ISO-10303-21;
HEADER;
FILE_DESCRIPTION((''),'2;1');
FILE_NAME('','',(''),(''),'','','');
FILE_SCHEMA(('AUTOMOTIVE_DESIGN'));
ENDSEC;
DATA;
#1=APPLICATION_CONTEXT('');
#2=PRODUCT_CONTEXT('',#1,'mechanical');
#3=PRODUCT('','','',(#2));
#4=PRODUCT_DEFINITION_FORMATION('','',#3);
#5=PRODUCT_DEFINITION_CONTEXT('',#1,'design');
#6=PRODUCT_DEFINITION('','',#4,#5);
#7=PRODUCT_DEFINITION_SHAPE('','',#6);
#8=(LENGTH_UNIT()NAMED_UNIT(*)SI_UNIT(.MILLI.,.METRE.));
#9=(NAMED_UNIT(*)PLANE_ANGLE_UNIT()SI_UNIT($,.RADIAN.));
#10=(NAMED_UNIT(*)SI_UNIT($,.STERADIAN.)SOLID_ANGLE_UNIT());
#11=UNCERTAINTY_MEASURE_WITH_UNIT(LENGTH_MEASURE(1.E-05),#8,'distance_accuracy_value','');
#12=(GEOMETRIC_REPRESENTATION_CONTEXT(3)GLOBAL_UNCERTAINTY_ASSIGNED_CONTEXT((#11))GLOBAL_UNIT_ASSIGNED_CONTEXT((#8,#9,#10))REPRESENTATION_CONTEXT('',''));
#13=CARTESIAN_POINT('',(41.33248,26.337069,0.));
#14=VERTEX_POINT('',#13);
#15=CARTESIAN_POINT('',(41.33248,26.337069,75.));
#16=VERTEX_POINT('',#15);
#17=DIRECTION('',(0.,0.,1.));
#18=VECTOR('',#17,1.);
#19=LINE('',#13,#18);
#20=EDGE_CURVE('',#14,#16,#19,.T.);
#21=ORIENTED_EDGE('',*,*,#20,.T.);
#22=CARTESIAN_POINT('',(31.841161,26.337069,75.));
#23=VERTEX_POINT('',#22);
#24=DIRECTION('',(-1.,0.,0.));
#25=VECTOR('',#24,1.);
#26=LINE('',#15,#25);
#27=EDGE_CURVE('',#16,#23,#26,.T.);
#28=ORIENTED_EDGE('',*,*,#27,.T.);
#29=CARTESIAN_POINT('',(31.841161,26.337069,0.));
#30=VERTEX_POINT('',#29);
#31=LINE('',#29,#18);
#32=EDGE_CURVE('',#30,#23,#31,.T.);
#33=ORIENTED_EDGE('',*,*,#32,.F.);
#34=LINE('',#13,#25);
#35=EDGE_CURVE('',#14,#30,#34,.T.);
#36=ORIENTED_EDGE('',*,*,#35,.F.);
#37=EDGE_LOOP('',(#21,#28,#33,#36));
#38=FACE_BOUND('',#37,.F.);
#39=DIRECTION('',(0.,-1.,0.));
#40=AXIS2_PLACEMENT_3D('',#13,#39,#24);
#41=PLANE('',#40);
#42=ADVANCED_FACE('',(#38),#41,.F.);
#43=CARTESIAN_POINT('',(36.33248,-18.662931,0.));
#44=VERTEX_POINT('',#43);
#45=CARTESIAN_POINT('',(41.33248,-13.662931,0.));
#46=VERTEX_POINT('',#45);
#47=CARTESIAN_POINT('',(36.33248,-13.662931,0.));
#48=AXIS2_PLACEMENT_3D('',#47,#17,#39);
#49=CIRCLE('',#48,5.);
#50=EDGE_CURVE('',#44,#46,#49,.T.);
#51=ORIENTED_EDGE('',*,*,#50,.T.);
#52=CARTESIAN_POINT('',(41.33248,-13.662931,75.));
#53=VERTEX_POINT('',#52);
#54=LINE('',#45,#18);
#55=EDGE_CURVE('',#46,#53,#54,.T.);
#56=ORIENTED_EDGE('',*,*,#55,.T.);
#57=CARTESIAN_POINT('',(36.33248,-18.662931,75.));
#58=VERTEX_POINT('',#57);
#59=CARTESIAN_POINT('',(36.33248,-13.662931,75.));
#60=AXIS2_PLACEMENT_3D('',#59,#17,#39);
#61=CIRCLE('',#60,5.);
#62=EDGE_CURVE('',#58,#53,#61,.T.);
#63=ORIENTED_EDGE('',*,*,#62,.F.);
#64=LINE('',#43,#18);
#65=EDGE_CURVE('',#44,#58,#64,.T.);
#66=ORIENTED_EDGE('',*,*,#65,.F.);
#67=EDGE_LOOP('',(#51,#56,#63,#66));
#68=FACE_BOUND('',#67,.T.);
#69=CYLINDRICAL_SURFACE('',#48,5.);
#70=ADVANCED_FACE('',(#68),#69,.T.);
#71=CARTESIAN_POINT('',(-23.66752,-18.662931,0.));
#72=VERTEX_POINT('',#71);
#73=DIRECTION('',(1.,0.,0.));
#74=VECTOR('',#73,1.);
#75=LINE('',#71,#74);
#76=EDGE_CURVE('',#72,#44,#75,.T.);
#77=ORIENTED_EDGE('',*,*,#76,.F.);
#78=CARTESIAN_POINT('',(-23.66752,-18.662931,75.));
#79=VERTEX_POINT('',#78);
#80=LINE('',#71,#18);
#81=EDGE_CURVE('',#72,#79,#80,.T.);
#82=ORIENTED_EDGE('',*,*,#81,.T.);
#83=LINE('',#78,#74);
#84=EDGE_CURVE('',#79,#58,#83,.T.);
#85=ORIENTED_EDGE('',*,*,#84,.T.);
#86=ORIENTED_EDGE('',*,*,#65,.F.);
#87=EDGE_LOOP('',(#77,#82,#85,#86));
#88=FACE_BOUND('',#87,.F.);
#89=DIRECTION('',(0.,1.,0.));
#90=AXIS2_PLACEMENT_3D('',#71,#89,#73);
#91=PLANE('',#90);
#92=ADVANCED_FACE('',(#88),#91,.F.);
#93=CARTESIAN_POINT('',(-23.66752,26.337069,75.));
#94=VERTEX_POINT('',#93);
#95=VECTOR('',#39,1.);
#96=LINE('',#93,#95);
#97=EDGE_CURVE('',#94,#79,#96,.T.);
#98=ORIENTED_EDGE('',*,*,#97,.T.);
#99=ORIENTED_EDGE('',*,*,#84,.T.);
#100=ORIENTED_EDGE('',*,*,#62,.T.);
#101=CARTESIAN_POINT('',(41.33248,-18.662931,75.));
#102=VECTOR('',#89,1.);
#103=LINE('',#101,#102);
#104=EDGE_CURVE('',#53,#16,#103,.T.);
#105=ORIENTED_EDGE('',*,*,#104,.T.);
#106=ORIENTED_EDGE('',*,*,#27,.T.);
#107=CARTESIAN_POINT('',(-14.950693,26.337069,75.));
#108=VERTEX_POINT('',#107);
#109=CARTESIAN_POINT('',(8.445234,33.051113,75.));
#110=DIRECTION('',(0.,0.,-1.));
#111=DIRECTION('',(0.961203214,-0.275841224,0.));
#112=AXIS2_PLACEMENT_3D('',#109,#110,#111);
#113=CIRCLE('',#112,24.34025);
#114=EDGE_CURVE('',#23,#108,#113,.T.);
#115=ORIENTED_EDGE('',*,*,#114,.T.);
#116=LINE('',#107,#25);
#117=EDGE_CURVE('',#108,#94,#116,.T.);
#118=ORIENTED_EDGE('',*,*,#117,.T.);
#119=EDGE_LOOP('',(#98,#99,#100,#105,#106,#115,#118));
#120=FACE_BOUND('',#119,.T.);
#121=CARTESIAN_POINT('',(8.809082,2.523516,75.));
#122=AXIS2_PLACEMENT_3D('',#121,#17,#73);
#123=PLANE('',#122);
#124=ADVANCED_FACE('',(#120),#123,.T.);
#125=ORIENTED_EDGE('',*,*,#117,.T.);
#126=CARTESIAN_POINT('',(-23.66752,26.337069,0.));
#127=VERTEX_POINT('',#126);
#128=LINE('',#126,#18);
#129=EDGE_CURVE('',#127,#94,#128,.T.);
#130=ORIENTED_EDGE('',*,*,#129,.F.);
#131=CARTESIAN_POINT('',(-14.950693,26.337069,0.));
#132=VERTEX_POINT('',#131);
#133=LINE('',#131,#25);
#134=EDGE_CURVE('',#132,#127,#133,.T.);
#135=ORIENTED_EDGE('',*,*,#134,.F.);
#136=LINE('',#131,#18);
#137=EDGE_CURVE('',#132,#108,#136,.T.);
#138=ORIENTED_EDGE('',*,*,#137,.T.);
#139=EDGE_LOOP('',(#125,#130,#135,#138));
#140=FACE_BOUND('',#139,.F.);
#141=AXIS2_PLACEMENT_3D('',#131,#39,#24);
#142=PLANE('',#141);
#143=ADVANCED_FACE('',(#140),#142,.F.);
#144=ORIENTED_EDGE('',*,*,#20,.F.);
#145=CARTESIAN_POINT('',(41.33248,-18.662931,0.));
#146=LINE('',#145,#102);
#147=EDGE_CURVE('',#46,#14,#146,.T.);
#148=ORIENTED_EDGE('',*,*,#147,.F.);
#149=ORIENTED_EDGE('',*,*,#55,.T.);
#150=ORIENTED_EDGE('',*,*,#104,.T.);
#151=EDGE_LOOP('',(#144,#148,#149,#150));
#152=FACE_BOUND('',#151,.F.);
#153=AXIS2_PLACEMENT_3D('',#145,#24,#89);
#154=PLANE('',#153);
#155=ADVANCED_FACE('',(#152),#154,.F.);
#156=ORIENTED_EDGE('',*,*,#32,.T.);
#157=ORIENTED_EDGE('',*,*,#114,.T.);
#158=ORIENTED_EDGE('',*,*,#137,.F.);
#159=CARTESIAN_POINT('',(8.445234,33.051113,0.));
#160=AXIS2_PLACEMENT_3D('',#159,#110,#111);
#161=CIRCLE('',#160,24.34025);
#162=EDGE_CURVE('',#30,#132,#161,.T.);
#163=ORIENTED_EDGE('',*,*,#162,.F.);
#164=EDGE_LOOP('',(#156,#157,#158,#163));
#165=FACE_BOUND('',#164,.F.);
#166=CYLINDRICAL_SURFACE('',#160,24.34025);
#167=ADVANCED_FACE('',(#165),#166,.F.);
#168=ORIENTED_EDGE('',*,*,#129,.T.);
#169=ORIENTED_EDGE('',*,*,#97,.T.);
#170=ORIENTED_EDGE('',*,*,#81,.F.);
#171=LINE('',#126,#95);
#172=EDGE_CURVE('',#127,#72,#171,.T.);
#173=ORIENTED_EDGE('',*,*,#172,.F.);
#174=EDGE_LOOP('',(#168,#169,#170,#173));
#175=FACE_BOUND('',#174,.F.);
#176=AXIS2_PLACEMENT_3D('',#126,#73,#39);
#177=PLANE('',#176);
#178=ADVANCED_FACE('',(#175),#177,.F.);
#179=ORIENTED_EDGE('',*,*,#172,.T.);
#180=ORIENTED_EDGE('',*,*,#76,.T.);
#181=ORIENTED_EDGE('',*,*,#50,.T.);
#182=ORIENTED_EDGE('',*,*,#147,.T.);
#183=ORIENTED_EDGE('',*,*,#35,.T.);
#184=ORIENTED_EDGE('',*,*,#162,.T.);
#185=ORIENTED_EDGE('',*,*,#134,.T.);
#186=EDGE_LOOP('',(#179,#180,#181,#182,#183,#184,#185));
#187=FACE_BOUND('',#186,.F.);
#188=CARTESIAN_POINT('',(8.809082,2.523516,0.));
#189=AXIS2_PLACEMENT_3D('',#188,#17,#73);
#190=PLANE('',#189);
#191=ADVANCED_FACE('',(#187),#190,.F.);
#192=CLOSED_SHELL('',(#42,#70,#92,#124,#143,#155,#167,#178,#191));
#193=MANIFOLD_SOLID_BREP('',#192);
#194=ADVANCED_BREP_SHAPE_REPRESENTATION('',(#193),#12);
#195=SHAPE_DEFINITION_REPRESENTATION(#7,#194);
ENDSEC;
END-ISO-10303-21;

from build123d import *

# Parameters (mm, degrees)
F1_DEPTH = 75
F2_R     = 5


with BuildPart() as f1:
    # F0 (on Top) → F1 (new body)
    with BuildSketch(Plane.XY):
        with BuildLine():
            Line((-23.66752, 26.337069), (-23.66752, -18.662931))
            Line((-23.66752, -18.662931), (41.33248, -18.662931))
            Line((41.33248, -18.662931), (41.33248, 26.337069))
            Line((41.33248, 26.337069), (31.841161, 26.337069))
            ThreePointArc((31.841161, 26.337069), (8.445234, 8.710863), (-14.950693, 26.337069))
            Line((-14.950693, 26.337069), (-23.66752, 26.337069))
        make_face()
    extrude(amount=F1_DEPTH)

    # F2
    f2_edges = [f1.edges().sort_by_distance(p)[0] for p in [
        (41.33248, -18.662931, 37.5),
    ]]
    fillet(f2_edges, radius=F2_R)


solid = f1.part
